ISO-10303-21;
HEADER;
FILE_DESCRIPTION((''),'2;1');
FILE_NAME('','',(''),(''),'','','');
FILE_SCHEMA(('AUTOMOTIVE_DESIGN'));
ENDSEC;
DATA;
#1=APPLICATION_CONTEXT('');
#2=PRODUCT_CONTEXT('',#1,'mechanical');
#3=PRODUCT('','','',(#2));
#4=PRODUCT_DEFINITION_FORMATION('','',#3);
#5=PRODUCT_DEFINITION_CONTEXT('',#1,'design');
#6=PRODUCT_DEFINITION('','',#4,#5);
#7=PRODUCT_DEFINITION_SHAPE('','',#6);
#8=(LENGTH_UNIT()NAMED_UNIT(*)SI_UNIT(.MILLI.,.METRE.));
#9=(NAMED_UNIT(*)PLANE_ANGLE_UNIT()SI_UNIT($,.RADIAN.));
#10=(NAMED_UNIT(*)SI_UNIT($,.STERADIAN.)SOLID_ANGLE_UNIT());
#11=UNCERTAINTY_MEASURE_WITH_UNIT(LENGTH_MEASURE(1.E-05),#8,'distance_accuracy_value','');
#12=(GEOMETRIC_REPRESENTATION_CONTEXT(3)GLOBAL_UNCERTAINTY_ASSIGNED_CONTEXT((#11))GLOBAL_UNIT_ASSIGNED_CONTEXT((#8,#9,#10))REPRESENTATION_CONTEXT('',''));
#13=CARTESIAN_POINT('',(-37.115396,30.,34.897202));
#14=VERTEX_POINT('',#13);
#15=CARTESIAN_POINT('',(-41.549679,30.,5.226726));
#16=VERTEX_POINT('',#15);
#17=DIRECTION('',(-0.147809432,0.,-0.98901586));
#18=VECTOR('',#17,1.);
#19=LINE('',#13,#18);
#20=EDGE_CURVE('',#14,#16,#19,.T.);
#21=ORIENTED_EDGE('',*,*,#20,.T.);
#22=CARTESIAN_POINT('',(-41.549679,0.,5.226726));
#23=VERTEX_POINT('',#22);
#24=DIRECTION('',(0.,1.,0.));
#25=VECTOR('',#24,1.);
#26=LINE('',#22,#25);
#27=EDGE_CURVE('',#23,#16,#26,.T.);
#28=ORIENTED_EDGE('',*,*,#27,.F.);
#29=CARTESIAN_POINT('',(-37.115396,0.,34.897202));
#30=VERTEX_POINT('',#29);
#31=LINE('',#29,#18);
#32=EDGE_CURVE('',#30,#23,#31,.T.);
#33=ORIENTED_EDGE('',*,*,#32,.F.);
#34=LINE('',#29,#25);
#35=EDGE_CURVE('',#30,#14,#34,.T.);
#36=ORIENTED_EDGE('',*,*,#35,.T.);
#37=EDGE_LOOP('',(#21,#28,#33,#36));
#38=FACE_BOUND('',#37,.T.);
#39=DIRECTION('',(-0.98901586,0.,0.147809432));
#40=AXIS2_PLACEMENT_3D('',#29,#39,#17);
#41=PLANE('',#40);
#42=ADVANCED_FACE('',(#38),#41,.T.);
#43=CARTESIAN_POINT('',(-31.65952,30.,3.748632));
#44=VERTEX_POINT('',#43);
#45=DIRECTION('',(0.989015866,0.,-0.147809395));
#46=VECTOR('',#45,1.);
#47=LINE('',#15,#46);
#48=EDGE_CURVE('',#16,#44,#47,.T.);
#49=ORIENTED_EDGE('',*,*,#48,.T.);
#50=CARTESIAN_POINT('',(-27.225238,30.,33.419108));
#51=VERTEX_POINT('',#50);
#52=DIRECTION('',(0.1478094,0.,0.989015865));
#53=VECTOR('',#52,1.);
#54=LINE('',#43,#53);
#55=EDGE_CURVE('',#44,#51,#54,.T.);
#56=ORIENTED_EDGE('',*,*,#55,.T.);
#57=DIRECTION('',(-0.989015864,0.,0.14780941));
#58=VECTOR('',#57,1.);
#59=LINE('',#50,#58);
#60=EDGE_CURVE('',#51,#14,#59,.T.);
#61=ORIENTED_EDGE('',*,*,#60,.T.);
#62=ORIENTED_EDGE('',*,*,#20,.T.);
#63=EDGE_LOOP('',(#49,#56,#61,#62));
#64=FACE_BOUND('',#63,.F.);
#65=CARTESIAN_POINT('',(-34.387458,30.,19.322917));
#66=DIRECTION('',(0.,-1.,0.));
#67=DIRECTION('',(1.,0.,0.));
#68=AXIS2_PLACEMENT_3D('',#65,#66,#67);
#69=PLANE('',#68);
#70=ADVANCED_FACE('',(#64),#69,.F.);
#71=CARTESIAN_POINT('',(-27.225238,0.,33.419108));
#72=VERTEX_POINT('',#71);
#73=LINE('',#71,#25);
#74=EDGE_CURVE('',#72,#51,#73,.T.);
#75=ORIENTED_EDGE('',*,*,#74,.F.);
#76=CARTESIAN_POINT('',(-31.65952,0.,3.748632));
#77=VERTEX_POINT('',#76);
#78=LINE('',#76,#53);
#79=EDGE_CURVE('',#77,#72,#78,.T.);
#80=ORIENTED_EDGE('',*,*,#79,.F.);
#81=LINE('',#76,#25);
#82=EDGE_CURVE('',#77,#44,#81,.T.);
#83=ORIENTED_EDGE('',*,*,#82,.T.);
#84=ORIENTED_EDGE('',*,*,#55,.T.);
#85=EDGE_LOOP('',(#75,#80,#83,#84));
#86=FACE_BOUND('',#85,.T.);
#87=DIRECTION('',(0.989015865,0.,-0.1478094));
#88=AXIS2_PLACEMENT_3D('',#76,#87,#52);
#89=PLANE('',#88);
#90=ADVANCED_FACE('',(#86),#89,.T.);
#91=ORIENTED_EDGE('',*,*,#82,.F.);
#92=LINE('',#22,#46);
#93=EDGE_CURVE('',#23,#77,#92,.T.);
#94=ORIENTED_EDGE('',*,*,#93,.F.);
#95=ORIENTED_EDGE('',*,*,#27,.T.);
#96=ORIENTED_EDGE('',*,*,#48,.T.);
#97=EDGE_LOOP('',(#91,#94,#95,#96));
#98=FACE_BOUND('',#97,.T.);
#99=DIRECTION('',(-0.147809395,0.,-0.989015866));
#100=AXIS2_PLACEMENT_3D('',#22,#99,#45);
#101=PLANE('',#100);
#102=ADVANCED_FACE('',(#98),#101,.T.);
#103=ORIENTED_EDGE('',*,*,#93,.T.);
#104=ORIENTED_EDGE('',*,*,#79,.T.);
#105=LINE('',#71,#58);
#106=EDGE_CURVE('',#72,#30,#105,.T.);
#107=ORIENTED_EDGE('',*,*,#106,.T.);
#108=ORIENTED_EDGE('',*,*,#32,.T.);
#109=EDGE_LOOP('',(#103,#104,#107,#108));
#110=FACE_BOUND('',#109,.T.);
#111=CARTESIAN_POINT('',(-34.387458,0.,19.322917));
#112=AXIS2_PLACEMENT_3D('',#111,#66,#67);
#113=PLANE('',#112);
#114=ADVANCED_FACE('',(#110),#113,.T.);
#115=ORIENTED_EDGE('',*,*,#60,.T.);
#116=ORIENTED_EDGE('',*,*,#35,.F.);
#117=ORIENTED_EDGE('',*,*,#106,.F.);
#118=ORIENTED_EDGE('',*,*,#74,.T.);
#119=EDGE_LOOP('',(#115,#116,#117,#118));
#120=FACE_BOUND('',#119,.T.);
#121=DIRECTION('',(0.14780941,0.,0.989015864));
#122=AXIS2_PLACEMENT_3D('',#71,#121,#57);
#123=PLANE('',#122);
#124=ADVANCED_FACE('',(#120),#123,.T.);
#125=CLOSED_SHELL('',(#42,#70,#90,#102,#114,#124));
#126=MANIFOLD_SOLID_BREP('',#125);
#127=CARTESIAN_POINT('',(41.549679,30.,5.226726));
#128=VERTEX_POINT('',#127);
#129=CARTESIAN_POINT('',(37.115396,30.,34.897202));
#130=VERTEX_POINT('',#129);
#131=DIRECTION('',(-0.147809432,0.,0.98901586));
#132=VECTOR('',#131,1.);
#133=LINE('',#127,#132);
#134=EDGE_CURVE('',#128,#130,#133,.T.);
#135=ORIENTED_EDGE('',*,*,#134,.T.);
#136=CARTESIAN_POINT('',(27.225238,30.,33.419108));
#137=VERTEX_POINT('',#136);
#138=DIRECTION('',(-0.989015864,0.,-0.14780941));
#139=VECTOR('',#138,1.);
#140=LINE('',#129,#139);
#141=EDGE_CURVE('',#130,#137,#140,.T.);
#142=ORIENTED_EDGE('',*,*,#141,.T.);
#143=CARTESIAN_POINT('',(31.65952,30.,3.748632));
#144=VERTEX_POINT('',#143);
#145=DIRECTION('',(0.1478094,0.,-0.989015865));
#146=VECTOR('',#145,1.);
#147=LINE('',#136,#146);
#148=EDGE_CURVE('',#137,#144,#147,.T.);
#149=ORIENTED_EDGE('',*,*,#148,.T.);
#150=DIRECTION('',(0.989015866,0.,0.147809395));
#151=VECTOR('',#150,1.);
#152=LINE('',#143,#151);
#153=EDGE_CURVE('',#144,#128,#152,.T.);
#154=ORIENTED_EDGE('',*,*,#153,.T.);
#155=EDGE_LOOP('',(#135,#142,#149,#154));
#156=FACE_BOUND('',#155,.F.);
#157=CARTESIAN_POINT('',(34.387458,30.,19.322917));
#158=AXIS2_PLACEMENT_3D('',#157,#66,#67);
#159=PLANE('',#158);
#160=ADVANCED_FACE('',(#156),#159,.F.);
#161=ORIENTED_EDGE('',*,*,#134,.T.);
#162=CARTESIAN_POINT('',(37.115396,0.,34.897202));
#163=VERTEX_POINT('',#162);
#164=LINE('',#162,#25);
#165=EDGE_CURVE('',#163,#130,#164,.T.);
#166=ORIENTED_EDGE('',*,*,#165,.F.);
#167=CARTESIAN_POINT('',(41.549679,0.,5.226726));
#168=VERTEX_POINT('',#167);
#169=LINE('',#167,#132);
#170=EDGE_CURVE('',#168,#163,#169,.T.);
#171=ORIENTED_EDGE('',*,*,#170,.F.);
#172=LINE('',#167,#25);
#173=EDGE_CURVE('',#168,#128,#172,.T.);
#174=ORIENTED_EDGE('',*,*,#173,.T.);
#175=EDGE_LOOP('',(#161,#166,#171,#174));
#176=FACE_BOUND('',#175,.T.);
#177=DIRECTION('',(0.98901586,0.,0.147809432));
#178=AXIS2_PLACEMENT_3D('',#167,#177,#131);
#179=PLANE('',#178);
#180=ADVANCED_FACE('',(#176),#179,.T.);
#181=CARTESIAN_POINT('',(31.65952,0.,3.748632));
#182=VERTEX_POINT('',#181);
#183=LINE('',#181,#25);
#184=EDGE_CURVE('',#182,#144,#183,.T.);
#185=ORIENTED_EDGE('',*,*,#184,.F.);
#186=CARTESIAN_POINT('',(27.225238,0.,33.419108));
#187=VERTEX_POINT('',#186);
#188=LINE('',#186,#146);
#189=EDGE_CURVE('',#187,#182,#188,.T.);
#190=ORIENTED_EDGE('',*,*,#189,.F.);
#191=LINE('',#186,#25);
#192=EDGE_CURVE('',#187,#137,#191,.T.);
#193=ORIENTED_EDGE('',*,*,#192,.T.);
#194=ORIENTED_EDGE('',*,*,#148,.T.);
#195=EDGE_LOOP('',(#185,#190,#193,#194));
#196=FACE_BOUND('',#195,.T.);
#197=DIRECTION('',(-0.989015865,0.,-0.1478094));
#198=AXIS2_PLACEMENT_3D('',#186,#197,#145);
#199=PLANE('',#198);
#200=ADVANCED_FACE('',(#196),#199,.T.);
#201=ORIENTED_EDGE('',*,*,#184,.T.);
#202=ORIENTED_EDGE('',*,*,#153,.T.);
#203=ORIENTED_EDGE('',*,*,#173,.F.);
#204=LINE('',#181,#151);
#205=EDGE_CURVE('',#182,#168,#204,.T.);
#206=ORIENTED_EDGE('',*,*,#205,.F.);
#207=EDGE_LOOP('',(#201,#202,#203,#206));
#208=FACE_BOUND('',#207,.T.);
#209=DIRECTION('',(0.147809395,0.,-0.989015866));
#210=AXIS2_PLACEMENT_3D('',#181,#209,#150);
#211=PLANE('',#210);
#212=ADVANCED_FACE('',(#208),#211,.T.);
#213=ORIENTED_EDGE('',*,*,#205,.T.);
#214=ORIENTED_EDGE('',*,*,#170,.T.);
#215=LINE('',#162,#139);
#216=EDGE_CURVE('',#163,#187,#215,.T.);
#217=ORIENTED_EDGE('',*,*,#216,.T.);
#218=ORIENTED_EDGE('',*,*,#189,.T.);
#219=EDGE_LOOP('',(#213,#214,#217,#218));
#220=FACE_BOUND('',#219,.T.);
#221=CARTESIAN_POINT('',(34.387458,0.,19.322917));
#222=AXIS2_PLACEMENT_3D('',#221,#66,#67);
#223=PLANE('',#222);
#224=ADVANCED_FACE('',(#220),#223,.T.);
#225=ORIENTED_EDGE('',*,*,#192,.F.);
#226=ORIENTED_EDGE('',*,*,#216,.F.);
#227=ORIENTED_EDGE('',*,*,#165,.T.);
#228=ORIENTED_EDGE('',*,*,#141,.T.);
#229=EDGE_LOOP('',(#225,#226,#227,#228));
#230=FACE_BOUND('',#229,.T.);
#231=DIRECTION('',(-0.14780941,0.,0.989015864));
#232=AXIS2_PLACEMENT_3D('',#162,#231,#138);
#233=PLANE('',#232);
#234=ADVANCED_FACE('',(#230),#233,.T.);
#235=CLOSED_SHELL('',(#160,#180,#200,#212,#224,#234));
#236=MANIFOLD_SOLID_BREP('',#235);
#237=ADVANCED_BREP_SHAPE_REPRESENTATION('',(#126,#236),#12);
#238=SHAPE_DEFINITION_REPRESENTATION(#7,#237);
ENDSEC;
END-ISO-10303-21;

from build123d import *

# Parameters (mm, degrees)
F1_DEPTH = 30


with BuildPart() as f1:
    # F0 (on Front) → F1 (new body)
    with BuildSketch(Plane.XZ):
        Polygon((41.549679, 5.226726), (37.115396, 34.897202), (27.225238, 33.419108), (31.65952, 3.748632), align=None)
        Polygon((-27.225238, 33.419108), (-37.115396, 34.897202), (-41.549679, 5.226726), (-31.65952, 3.748632), align=None)
    extrude(amount=-F1_DEPTH)


solid = f1.part
